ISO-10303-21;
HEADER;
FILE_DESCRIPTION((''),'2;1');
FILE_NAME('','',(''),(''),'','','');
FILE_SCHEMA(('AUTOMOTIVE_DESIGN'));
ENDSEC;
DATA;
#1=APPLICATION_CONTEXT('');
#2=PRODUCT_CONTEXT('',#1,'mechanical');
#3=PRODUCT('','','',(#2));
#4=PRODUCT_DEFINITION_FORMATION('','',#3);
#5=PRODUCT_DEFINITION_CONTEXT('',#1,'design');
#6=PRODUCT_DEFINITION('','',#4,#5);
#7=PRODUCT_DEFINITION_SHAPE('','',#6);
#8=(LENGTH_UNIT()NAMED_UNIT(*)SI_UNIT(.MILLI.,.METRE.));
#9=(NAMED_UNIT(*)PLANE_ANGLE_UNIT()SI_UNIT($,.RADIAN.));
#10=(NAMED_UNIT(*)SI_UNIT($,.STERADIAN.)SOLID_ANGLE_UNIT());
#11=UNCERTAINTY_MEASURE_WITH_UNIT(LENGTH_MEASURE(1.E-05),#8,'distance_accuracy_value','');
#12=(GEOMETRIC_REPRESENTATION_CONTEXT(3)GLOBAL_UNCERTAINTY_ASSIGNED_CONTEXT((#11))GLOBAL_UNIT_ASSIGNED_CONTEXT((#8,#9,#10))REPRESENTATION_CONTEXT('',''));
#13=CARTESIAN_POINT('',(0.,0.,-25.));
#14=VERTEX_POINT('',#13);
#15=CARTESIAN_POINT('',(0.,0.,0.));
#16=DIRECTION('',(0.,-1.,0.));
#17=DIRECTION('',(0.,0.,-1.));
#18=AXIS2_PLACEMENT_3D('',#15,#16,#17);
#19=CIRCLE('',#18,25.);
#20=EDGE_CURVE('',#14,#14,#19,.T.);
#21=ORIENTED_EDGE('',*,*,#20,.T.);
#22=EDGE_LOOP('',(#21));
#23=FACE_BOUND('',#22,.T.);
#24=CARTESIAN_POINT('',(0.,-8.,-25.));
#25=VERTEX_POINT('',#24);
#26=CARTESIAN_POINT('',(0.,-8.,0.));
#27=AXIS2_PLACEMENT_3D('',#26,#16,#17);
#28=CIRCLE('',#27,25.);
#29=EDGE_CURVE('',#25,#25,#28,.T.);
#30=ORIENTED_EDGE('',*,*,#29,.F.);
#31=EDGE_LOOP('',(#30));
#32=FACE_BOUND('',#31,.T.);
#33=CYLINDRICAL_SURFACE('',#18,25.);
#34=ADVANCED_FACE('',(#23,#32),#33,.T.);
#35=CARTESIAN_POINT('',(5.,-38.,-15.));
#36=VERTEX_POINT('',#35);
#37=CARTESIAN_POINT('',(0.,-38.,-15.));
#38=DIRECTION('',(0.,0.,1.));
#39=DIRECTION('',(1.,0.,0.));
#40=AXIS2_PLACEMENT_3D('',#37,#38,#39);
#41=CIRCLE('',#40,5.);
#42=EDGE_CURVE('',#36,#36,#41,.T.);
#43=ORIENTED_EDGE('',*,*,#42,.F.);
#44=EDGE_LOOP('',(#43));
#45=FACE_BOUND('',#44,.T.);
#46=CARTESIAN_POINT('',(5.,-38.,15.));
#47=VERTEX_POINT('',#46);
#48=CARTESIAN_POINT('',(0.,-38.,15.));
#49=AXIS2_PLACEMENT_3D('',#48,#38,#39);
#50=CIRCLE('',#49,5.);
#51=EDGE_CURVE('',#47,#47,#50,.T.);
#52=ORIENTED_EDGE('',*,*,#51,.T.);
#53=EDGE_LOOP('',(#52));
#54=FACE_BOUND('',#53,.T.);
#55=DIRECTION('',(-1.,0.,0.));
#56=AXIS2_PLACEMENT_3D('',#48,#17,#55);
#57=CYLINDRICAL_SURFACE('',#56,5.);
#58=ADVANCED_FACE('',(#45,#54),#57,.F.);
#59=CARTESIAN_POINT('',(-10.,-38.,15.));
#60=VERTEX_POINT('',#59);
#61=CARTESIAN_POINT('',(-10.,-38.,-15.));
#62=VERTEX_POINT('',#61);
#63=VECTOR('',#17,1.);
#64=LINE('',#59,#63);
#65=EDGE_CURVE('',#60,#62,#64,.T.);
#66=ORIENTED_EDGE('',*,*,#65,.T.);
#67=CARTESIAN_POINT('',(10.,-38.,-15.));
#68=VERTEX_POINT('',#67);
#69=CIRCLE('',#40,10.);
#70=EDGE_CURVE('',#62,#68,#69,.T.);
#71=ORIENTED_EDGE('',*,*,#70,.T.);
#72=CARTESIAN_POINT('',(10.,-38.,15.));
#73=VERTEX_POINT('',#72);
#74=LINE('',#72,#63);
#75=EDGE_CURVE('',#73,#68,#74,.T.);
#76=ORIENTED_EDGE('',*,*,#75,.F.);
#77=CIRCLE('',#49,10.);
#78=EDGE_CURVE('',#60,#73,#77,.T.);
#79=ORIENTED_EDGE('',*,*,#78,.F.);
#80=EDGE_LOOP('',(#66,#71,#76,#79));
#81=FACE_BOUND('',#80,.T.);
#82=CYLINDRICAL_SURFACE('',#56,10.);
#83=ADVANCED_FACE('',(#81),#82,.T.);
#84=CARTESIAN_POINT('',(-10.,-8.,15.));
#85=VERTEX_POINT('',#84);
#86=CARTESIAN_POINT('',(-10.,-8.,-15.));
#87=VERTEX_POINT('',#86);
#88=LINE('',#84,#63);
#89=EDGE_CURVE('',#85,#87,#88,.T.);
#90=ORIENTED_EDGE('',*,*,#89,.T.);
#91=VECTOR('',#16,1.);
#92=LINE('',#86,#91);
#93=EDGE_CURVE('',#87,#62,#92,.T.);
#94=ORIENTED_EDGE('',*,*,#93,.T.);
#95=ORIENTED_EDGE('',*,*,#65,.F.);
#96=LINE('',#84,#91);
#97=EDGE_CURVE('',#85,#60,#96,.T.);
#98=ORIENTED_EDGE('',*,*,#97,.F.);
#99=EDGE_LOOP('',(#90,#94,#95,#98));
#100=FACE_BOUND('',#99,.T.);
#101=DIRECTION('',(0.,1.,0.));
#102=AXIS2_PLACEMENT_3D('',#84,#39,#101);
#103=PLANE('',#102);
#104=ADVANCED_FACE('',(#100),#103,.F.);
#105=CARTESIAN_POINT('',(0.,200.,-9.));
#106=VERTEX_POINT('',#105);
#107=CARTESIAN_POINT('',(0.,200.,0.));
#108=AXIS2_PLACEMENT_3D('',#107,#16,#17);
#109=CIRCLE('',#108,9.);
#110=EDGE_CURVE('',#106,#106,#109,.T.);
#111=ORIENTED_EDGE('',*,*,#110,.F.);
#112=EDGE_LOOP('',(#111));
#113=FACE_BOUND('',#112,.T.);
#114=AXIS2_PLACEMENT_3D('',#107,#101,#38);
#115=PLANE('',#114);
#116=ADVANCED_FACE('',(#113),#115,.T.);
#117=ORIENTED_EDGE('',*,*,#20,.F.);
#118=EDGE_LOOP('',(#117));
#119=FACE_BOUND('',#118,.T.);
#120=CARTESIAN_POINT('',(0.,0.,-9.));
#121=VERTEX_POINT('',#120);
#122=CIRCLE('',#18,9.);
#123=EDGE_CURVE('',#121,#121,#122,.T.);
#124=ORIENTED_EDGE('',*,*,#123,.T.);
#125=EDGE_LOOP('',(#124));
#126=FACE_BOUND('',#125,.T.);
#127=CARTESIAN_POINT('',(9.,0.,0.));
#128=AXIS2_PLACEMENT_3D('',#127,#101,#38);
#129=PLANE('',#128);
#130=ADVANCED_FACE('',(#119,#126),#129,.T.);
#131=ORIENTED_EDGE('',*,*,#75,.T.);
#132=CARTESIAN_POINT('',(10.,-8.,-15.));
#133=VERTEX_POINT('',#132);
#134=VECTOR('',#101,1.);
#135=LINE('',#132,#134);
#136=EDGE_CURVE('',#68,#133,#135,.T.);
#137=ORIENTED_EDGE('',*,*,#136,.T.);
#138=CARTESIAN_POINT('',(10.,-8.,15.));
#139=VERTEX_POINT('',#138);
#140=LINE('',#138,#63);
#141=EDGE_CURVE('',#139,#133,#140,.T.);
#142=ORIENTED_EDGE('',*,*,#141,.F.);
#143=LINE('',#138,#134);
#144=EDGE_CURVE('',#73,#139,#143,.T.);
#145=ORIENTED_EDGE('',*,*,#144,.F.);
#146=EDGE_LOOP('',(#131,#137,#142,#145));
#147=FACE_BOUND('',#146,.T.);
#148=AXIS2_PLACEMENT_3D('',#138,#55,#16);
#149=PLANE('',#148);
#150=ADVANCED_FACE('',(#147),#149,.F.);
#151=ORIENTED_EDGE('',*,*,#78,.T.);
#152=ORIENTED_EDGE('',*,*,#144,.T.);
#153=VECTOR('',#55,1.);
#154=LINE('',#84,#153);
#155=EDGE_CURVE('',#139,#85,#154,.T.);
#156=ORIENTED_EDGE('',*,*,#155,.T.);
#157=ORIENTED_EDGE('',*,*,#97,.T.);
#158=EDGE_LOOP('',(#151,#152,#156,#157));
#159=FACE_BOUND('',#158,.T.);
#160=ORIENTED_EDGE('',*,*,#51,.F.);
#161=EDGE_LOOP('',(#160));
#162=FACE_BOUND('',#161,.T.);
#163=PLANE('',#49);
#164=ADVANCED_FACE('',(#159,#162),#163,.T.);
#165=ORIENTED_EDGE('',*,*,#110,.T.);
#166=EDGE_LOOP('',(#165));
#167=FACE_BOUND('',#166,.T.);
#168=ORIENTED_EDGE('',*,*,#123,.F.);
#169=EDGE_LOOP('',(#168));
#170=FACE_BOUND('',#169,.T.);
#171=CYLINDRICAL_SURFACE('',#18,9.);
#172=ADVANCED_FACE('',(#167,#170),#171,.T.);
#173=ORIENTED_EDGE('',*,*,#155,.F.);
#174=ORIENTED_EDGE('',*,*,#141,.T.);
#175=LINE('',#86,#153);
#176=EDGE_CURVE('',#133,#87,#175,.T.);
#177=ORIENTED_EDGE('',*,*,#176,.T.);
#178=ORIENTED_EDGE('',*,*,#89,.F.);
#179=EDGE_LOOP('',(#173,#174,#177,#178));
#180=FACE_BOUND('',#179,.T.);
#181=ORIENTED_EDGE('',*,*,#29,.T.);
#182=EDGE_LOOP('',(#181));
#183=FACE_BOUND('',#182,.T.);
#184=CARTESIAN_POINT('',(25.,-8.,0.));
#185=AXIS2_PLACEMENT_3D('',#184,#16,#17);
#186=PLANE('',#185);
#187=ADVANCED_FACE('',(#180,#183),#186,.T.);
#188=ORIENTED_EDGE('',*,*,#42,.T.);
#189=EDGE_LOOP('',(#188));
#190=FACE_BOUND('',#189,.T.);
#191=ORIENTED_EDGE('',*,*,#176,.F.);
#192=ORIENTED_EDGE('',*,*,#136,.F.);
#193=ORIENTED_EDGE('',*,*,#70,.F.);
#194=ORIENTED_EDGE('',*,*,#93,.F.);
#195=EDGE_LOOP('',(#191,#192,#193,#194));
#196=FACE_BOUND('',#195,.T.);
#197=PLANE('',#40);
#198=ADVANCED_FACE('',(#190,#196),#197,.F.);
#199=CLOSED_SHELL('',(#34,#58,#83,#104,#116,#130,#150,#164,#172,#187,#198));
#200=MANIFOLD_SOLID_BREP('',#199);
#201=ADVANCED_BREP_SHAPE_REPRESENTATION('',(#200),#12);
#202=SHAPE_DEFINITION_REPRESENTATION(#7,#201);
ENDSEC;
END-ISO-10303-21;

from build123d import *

# Parameters (mm, degrees)
ESBO_O3_R                = 5
RESSALTO_EXTRUS_O1_DEPTH = 15


with BuildPart() as part:
    # Esboço1 → Revolução1 (revolve)
    with BuildSketch(Plane.XY):
        Polygon((0, 200), (9, 200), (9, 0), (25, 0), (25, -8), (0, -8), (0, 0), align=None)
    revolve(axis=Axis((0, 0, 0), (0, 1, 0)))

    # Esboço3 → Ressalto-extrusão1 (add, symmetric)
    with BuildSketch(Plane.XY):
        with BuildLine():
            Line((-10, -8), (10, -8))
            Line((10, -8), (10, -38))
            ThreePointArc((10, -38), (0, -48), (-10, -38))
            Line((-10, -38), (-10, -8))
        make_face()
        with Locations((0, -38)):
            Circle(ESBO_O3_R, mode=Mode.SUBTRACT)
    extrude(amount=RESSALTO_EXTRUS_O1_DEPTH, both=True)


solid = part.part
